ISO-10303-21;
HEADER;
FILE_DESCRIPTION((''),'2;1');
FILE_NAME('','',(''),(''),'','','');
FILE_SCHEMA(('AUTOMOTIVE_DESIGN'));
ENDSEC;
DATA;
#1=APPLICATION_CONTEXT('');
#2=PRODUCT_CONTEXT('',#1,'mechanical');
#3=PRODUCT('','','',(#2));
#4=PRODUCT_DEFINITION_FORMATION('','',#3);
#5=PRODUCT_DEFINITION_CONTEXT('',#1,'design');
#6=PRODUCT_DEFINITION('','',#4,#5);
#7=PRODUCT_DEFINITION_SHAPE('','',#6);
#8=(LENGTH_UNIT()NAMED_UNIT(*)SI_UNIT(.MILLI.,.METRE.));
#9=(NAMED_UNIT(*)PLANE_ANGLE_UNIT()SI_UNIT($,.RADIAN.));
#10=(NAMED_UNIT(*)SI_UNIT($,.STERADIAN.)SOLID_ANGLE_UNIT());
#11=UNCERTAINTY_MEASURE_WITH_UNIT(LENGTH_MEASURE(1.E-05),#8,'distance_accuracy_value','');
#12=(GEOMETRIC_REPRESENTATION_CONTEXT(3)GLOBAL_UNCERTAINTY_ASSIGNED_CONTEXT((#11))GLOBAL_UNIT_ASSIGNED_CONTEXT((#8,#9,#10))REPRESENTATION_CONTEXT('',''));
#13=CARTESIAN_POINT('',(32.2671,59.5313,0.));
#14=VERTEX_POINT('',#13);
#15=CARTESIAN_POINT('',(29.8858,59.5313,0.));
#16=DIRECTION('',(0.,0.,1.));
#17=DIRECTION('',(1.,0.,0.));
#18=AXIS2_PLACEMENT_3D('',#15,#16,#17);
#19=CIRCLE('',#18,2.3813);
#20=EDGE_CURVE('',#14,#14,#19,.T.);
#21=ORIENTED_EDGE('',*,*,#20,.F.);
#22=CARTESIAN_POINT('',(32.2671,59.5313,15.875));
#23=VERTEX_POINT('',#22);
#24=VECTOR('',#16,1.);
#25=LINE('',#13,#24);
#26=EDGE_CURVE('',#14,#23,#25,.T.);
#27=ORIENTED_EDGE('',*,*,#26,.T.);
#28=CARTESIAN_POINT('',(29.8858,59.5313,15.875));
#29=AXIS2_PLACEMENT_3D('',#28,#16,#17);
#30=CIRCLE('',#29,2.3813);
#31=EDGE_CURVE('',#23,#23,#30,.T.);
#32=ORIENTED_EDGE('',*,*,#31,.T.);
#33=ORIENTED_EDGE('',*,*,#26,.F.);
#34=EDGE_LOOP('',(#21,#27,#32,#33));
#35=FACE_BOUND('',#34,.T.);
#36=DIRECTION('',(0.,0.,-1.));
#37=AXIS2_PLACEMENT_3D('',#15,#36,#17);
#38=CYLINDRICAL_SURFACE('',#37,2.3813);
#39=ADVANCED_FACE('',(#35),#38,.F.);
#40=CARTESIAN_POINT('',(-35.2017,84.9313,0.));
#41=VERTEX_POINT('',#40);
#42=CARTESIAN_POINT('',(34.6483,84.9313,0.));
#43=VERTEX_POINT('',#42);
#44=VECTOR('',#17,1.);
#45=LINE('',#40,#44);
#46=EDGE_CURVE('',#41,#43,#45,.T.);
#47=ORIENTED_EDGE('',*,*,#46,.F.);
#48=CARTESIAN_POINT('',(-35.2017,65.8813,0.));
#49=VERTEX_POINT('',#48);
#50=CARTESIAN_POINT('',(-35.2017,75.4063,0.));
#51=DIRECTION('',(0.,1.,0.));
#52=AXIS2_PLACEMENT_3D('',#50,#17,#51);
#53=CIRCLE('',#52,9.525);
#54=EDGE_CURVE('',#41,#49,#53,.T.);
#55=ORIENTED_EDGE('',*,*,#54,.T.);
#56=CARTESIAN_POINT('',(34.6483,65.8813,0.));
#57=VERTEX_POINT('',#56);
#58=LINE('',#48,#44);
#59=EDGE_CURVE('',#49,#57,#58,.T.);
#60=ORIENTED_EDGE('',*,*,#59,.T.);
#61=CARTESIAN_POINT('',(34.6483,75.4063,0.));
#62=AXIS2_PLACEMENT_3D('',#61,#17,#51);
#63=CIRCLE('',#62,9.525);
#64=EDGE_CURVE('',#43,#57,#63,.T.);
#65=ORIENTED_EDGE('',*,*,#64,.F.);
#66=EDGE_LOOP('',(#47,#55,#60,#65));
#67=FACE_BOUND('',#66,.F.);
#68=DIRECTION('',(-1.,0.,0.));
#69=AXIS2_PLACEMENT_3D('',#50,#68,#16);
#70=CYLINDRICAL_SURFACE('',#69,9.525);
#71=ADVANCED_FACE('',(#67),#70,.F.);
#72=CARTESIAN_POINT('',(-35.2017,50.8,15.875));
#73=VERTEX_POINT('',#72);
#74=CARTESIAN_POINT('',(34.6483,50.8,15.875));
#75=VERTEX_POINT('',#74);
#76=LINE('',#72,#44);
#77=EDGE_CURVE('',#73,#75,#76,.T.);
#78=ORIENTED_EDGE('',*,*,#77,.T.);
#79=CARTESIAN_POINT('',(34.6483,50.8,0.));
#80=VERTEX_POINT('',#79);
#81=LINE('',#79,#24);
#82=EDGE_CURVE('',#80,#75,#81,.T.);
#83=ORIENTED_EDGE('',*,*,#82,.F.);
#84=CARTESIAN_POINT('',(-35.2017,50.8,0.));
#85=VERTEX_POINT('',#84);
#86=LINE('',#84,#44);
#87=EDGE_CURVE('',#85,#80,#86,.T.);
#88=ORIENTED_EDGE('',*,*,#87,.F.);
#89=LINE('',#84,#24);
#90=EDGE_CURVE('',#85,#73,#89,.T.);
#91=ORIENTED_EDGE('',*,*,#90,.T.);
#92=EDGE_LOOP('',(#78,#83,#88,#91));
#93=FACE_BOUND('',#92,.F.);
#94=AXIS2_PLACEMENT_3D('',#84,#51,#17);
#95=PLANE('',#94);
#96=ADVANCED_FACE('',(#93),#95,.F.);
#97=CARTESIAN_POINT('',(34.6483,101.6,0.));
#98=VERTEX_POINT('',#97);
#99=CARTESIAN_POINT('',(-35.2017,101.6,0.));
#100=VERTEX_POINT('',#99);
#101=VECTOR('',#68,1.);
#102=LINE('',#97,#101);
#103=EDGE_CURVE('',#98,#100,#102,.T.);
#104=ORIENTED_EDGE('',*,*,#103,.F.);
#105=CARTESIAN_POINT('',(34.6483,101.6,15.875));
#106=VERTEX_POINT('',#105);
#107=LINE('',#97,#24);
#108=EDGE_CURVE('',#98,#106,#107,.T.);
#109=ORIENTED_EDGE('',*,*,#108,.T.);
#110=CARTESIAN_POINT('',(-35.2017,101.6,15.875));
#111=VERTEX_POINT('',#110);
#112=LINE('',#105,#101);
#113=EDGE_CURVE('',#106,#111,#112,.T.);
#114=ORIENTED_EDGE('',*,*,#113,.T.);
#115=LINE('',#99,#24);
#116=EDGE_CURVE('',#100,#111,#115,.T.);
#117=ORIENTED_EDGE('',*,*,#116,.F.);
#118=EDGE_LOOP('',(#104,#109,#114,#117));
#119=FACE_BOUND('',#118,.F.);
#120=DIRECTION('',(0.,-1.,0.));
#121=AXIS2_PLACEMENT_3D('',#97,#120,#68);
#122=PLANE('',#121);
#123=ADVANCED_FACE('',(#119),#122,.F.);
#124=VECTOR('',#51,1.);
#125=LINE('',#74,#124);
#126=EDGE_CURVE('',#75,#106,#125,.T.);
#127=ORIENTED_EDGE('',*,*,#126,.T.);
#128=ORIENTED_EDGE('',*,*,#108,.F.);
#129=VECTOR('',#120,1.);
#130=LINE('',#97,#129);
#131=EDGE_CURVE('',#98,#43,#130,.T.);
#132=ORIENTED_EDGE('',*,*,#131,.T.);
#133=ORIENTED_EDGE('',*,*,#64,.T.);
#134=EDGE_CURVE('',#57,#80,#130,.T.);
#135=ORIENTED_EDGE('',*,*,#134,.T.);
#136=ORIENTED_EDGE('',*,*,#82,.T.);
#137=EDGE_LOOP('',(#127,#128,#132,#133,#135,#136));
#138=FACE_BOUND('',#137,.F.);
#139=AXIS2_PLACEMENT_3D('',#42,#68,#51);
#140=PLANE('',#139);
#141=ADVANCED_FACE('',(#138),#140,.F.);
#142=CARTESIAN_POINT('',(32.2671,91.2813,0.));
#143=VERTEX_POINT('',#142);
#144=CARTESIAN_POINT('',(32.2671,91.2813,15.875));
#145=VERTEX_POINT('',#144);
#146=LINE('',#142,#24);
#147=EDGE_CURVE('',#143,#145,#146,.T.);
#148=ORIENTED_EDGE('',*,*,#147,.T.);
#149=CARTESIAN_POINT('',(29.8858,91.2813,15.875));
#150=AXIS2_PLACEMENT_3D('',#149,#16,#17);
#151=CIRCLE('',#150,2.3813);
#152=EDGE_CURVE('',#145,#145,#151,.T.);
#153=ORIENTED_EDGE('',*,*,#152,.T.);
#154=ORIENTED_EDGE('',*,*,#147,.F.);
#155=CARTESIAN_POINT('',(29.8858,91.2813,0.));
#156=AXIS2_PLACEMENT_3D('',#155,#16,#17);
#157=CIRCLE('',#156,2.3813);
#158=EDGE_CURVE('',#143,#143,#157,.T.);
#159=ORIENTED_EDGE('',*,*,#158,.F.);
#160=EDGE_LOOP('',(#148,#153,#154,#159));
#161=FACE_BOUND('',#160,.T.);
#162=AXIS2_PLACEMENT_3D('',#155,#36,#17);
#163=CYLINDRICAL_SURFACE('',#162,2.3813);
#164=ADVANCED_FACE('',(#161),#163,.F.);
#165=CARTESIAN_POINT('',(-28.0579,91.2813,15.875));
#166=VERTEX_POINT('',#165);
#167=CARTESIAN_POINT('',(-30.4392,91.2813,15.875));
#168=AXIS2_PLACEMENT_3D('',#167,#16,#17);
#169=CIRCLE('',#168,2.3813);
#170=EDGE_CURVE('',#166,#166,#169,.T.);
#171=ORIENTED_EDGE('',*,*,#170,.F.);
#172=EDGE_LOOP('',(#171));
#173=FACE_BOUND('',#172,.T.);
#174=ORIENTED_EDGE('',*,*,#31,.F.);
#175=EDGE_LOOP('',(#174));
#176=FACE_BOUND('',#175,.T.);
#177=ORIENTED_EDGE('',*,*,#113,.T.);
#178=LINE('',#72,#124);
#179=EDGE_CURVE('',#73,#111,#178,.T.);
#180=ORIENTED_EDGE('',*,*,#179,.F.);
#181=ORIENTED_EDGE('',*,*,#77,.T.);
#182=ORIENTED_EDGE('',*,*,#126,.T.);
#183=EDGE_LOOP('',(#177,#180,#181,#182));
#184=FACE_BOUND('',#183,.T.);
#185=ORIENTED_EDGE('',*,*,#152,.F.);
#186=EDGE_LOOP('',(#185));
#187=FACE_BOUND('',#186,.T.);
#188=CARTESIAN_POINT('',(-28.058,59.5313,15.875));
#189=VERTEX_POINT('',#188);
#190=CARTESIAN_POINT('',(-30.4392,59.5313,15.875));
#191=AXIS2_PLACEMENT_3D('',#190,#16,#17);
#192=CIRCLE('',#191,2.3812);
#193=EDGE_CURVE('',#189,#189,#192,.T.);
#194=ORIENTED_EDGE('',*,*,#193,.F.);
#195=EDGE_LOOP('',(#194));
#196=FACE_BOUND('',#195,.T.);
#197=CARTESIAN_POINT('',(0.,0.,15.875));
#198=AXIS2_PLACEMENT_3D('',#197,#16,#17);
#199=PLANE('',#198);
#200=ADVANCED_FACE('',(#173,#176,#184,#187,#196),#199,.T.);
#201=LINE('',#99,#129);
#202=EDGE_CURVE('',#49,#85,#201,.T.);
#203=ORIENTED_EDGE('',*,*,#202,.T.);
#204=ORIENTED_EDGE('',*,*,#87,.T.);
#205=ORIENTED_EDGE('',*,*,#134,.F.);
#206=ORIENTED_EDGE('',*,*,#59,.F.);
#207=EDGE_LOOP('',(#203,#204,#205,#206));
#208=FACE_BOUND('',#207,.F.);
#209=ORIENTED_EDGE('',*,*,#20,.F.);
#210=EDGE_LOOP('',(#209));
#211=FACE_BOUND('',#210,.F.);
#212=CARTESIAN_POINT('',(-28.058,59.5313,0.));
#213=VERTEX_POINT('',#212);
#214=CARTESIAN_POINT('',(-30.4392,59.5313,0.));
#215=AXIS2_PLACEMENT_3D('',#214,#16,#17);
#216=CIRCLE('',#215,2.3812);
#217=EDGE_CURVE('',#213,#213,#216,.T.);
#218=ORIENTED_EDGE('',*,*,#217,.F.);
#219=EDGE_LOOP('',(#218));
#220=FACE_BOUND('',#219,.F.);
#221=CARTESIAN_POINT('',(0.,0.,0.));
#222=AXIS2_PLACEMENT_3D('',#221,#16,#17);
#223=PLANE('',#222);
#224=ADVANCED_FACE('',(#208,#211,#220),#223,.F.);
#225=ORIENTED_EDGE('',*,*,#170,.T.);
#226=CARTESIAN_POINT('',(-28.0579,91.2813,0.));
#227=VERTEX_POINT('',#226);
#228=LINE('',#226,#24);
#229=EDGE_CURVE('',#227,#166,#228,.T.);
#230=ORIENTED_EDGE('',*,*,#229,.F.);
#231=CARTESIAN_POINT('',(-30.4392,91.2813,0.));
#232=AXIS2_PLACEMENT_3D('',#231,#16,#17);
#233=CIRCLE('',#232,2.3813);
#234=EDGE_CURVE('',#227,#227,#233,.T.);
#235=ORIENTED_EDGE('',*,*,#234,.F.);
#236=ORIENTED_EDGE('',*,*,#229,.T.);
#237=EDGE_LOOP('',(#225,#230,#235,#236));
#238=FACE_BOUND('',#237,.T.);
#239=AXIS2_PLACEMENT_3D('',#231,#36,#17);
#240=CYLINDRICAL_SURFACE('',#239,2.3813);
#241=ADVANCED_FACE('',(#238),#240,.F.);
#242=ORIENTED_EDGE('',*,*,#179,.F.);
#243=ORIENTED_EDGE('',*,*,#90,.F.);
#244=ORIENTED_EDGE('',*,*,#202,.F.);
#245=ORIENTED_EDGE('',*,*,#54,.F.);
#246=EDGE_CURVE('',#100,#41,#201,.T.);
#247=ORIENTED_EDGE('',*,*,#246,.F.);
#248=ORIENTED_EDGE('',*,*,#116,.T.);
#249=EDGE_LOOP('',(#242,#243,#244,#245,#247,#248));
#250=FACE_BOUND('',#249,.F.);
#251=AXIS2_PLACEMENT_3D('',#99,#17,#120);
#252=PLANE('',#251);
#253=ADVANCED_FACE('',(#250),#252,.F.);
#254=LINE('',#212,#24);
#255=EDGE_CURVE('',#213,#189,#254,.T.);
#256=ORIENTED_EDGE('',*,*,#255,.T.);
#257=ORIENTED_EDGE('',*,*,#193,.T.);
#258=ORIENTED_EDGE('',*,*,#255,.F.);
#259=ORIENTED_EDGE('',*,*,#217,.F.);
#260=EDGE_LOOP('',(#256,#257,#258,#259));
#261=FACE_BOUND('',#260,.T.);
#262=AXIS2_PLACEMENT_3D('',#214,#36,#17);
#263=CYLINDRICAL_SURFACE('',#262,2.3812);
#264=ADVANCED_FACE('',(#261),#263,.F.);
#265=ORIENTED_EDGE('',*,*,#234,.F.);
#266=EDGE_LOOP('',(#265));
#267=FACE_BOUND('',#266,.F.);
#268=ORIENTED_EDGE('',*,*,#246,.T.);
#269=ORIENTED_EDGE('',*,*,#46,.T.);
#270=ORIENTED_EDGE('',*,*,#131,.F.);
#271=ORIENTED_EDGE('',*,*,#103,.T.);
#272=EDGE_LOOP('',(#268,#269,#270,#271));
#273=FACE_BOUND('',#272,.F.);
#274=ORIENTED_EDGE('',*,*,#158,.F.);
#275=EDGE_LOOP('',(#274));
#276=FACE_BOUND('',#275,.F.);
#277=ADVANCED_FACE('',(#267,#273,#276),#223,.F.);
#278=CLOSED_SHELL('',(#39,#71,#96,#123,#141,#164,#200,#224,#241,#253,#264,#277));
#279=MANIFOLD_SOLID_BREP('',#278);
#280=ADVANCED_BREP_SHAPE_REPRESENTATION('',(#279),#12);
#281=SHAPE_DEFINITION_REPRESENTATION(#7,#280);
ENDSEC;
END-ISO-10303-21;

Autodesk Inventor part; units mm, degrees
ref_plane "YZ Plane" through (0, 0, 0) normal (1, 0, 0) x (0, 1, 0)
ref_plane "XZ Plane" through (0, 0, 0) normal (0, 1, 0) x (-1, 0, 0)
ref_plane "XY Plane" through (0, 0, 0) normal (0, 0, 1) x (1, 0, 0)
sketch "Sketch1" plane through (0, 0, 0) normal (0, 0, 1) x (1, 0, 0)
  circle A0 centre (29.8858, 59.5313) radius 2.3813 projected
  circle A1 centre (-30.4392, 59.5313) radius 2.3812 projected
  circle A2 centre (-30.4392, 91.2813) radius 2.3813 projected
  circle A3 centre (29.8858, 91.2813) radius 2.3813 projected
  circle A4 centre (-30.4392, 91.2813) radius 2.3813 projected
  circle A5 centre (29.8858, 91.2813) radius 2.3813 projected
  line L0 (-35.2017, 84.9313) -> (34.6483, 84.9313) projected
  line L1 (34.6483, 84.9313) -> (34.6483, 101.6) projected
  line L2 (34.6483, 101.6) -> (-35.2017, 101.6) projected
  line L3 (-35.2017, 101.6) -> (-35.2017, 84.9313) projected
  line L4 (34.6483, 101.6) -> (-35.2017, 101.6)
  line L5 (-35.2017, 101.6) -> (-35.2017, 50.8)
  line L6 (-35.2017, 50.8) -> (34.6483, 50.8)
  line L7 (34.6483, 50.8) -> (34.6483, 101.6)
  point P0 (0, 0)
  dimension "d0" = 50.8
extrude "Extrusion1" add sketch "Sketch1" along normal blind 15.875
sketch "Sketch2" plane through (-35.2017, 50.8, 0) normal (-1, 0, 0) x (0, 0, 1)
  arc A0 (0, 34.1313) -> (0, 15.0813) centre (0, 24.6063) ccw projected
  circle A1 centre (0, 24.6063) radius 9.525
  point P0 (0, -50.8)
  point P1 (0, 15.0813)
  point P2 (0, 34.1313)
extrude "Extrusion2" cut sketch "Sketch2" against normal blind 76.2
properties part number "YClampTop"
